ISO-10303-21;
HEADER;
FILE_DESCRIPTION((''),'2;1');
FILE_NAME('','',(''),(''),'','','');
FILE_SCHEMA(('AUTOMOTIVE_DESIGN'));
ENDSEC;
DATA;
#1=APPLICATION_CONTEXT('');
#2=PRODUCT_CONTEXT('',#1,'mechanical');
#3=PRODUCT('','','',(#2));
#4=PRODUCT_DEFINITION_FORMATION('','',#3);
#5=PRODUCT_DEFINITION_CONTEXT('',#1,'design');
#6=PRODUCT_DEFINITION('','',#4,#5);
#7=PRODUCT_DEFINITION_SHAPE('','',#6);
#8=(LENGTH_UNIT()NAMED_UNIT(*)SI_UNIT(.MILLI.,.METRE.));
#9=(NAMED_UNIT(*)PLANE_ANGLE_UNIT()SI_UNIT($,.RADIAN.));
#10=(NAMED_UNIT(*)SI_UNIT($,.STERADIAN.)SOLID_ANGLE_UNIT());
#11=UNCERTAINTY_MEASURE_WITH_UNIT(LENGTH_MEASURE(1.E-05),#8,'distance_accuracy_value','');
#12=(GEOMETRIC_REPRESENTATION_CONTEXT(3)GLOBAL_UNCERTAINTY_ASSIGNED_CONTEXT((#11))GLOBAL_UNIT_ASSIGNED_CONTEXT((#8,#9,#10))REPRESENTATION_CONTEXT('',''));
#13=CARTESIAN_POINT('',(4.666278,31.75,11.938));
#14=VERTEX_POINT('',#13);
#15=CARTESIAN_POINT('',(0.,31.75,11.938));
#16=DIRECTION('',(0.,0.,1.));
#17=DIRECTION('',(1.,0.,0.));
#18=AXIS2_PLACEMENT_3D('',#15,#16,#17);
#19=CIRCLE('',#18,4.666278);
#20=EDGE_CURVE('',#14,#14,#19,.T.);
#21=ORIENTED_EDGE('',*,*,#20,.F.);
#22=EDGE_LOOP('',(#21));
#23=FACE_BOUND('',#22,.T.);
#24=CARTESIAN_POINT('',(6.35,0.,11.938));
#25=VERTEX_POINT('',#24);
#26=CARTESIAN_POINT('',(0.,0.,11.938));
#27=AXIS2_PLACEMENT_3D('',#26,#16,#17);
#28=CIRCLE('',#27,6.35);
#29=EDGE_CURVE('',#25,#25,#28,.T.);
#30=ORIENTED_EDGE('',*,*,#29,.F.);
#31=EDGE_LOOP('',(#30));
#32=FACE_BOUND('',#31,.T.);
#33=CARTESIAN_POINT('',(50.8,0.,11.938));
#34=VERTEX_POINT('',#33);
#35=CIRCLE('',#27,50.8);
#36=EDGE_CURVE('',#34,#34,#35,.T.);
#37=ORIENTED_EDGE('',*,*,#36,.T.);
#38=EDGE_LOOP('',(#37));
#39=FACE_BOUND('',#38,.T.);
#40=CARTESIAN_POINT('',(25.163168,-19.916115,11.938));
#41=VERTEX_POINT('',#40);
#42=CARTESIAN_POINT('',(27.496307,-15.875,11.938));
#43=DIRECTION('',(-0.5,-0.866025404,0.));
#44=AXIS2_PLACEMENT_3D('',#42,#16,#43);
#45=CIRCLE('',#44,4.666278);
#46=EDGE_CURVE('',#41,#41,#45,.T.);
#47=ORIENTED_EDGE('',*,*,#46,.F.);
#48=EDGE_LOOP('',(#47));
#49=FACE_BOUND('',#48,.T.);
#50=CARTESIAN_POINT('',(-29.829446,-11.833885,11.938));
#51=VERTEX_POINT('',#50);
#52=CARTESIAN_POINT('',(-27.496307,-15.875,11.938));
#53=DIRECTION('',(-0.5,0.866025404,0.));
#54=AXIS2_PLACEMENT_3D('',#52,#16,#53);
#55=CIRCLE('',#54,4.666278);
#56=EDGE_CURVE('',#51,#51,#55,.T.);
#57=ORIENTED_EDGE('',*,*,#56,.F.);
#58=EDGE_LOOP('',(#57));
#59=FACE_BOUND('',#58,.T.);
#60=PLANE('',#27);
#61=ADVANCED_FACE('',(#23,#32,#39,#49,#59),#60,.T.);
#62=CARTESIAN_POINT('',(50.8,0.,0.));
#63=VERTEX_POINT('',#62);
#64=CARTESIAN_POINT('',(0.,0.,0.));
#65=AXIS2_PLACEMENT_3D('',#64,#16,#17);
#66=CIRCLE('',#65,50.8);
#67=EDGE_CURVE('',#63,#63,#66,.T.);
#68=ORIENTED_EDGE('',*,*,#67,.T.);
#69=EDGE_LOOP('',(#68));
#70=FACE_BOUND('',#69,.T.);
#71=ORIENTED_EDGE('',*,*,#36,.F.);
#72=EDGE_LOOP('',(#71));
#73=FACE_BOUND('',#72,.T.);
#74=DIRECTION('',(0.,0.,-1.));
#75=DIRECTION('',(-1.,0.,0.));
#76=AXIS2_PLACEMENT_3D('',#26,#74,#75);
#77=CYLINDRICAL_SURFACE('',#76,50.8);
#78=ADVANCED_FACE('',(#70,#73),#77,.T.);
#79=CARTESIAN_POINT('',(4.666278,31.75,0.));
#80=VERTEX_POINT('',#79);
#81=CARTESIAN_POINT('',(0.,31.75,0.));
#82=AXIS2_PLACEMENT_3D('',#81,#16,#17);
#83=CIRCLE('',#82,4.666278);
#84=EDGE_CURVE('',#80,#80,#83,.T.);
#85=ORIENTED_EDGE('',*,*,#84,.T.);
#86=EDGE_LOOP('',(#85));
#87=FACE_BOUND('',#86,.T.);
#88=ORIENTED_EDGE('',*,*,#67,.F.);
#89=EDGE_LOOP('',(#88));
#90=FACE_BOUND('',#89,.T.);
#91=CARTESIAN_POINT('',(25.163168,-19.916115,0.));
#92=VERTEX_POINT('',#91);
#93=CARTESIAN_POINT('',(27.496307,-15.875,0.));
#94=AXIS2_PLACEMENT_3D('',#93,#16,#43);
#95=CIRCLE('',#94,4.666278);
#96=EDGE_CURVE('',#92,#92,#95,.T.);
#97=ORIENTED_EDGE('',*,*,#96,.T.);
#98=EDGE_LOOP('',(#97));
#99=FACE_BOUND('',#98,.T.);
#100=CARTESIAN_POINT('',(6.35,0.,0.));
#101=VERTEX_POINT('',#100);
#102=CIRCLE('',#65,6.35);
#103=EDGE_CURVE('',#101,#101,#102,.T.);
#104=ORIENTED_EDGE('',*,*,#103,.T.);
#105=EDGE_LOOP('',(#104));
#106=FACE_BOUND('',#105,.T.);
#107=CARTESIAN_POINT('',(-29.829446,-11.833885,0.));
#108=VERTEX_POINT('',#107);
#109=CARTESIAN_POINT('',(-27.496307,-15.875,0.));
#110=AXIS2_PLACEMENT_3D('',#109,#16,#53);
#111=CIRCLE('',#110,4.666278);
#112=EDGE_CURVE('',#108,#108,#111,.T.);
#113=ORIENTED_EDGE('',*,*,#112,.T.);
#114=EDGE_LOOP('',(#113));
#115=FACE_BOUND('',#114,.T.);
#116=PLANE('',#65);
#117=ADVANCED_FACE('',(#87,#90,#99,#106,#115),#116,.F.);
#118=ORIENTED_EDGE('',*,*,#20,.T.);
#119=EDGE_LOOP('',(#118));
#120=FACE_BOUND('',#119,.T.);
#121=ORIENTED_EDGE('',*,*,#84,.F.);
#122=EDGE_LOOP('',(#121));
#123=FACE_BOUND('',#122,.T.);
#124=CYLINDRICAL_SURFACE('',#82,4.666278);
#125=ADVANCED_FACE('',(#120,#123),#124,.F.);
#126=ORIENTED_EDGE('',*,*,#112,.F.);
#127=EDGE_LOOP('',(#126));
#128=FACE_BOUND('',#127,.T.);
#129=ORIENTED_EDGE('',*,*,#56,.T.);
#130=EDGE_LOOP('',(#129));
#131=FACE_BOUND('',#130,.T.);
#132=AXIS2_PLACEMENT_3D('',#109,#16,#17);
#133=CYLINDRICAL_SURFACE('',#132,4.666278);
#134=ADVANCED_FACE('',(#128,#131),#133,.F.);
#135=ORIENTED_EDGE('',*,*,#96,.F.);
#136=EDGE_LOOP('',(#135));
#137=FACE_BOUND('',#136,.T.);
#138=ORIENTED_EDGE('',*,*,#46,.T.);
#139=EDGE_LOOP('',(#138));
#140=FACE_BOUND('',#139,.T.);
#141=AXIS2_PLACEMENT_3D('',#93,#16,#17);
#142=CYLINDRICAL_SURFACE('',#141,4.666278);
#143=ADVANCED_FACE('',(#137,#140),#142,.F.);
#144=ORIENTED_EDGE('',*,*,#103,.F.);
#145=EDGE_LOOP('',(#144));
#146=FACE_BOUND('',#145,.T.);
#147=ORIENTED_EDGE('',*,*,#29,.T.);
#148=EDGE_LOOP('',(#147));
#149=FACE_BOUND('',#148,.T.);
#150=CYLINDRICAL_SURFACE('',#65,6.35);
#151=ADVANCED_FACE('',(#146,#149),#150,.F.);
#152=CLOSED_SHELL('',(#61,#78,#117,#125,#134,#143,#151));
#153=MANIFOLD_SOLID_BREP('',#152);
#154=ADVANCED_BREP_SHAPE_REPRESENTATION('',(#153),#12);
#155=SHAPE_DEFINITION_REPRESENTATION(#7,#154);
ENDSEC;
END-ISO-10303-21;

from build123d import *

# Parameters (mm, degrees)
SKETCH1_R               = 50.8
TOP_PLATE_DEPTH         = 11.938
SKETCH2_R               = 6.35
CENTRAL_HOLE_DEPTH      = 73.82716419
SKETCH3_R               = 4.66627796
BALL_HOLE_DEPTH         = 11.938
BALL_HOLE_PATTERN_COUNT = 3


with BuildPart() as part:
    # Sketch1 → top_plate (new body)
    with BuildSketch(Plane.XY):
        Circle(SKETCH1_R)
    extrude(amount=TOP_PLATE_DEPTH)

    # Sketch2 → central_hole (cut, through all)
    with BuildSketch(Plane.XY.offset(11.938)):
        Circle(SKETCH2_R)
    extrude(amount=-CENTRAL_HOLE_DEPTH, mode=Mode.SUBTRACT)

    # Sketch3 → ball_hole (cut)
    with BuildSketch(Plane.XY.offset(11.938)):
        with Locations((0, 31.75)):
            Circle(SKETCH3_R)
    ball_hole = extrude(amount=-BALL_HOLE_DEPTH, mode=Mode.SUBTRACT)

    # ball_hole_pattern: ball_hole ×3 about axis
    ball_hole_pattern_axis = Axis((0, 0, 0), (0, 0, 1))
    for i in range(1, BALL_HOLE_PATTERN_COUNT):
        add(ball_hole.rotate(ball_hole_pattern_axis, i * 360 / BALL_HOLE_PATTERN_COUNT), mode=Mode.SUBTRACT)


solid = part.part
